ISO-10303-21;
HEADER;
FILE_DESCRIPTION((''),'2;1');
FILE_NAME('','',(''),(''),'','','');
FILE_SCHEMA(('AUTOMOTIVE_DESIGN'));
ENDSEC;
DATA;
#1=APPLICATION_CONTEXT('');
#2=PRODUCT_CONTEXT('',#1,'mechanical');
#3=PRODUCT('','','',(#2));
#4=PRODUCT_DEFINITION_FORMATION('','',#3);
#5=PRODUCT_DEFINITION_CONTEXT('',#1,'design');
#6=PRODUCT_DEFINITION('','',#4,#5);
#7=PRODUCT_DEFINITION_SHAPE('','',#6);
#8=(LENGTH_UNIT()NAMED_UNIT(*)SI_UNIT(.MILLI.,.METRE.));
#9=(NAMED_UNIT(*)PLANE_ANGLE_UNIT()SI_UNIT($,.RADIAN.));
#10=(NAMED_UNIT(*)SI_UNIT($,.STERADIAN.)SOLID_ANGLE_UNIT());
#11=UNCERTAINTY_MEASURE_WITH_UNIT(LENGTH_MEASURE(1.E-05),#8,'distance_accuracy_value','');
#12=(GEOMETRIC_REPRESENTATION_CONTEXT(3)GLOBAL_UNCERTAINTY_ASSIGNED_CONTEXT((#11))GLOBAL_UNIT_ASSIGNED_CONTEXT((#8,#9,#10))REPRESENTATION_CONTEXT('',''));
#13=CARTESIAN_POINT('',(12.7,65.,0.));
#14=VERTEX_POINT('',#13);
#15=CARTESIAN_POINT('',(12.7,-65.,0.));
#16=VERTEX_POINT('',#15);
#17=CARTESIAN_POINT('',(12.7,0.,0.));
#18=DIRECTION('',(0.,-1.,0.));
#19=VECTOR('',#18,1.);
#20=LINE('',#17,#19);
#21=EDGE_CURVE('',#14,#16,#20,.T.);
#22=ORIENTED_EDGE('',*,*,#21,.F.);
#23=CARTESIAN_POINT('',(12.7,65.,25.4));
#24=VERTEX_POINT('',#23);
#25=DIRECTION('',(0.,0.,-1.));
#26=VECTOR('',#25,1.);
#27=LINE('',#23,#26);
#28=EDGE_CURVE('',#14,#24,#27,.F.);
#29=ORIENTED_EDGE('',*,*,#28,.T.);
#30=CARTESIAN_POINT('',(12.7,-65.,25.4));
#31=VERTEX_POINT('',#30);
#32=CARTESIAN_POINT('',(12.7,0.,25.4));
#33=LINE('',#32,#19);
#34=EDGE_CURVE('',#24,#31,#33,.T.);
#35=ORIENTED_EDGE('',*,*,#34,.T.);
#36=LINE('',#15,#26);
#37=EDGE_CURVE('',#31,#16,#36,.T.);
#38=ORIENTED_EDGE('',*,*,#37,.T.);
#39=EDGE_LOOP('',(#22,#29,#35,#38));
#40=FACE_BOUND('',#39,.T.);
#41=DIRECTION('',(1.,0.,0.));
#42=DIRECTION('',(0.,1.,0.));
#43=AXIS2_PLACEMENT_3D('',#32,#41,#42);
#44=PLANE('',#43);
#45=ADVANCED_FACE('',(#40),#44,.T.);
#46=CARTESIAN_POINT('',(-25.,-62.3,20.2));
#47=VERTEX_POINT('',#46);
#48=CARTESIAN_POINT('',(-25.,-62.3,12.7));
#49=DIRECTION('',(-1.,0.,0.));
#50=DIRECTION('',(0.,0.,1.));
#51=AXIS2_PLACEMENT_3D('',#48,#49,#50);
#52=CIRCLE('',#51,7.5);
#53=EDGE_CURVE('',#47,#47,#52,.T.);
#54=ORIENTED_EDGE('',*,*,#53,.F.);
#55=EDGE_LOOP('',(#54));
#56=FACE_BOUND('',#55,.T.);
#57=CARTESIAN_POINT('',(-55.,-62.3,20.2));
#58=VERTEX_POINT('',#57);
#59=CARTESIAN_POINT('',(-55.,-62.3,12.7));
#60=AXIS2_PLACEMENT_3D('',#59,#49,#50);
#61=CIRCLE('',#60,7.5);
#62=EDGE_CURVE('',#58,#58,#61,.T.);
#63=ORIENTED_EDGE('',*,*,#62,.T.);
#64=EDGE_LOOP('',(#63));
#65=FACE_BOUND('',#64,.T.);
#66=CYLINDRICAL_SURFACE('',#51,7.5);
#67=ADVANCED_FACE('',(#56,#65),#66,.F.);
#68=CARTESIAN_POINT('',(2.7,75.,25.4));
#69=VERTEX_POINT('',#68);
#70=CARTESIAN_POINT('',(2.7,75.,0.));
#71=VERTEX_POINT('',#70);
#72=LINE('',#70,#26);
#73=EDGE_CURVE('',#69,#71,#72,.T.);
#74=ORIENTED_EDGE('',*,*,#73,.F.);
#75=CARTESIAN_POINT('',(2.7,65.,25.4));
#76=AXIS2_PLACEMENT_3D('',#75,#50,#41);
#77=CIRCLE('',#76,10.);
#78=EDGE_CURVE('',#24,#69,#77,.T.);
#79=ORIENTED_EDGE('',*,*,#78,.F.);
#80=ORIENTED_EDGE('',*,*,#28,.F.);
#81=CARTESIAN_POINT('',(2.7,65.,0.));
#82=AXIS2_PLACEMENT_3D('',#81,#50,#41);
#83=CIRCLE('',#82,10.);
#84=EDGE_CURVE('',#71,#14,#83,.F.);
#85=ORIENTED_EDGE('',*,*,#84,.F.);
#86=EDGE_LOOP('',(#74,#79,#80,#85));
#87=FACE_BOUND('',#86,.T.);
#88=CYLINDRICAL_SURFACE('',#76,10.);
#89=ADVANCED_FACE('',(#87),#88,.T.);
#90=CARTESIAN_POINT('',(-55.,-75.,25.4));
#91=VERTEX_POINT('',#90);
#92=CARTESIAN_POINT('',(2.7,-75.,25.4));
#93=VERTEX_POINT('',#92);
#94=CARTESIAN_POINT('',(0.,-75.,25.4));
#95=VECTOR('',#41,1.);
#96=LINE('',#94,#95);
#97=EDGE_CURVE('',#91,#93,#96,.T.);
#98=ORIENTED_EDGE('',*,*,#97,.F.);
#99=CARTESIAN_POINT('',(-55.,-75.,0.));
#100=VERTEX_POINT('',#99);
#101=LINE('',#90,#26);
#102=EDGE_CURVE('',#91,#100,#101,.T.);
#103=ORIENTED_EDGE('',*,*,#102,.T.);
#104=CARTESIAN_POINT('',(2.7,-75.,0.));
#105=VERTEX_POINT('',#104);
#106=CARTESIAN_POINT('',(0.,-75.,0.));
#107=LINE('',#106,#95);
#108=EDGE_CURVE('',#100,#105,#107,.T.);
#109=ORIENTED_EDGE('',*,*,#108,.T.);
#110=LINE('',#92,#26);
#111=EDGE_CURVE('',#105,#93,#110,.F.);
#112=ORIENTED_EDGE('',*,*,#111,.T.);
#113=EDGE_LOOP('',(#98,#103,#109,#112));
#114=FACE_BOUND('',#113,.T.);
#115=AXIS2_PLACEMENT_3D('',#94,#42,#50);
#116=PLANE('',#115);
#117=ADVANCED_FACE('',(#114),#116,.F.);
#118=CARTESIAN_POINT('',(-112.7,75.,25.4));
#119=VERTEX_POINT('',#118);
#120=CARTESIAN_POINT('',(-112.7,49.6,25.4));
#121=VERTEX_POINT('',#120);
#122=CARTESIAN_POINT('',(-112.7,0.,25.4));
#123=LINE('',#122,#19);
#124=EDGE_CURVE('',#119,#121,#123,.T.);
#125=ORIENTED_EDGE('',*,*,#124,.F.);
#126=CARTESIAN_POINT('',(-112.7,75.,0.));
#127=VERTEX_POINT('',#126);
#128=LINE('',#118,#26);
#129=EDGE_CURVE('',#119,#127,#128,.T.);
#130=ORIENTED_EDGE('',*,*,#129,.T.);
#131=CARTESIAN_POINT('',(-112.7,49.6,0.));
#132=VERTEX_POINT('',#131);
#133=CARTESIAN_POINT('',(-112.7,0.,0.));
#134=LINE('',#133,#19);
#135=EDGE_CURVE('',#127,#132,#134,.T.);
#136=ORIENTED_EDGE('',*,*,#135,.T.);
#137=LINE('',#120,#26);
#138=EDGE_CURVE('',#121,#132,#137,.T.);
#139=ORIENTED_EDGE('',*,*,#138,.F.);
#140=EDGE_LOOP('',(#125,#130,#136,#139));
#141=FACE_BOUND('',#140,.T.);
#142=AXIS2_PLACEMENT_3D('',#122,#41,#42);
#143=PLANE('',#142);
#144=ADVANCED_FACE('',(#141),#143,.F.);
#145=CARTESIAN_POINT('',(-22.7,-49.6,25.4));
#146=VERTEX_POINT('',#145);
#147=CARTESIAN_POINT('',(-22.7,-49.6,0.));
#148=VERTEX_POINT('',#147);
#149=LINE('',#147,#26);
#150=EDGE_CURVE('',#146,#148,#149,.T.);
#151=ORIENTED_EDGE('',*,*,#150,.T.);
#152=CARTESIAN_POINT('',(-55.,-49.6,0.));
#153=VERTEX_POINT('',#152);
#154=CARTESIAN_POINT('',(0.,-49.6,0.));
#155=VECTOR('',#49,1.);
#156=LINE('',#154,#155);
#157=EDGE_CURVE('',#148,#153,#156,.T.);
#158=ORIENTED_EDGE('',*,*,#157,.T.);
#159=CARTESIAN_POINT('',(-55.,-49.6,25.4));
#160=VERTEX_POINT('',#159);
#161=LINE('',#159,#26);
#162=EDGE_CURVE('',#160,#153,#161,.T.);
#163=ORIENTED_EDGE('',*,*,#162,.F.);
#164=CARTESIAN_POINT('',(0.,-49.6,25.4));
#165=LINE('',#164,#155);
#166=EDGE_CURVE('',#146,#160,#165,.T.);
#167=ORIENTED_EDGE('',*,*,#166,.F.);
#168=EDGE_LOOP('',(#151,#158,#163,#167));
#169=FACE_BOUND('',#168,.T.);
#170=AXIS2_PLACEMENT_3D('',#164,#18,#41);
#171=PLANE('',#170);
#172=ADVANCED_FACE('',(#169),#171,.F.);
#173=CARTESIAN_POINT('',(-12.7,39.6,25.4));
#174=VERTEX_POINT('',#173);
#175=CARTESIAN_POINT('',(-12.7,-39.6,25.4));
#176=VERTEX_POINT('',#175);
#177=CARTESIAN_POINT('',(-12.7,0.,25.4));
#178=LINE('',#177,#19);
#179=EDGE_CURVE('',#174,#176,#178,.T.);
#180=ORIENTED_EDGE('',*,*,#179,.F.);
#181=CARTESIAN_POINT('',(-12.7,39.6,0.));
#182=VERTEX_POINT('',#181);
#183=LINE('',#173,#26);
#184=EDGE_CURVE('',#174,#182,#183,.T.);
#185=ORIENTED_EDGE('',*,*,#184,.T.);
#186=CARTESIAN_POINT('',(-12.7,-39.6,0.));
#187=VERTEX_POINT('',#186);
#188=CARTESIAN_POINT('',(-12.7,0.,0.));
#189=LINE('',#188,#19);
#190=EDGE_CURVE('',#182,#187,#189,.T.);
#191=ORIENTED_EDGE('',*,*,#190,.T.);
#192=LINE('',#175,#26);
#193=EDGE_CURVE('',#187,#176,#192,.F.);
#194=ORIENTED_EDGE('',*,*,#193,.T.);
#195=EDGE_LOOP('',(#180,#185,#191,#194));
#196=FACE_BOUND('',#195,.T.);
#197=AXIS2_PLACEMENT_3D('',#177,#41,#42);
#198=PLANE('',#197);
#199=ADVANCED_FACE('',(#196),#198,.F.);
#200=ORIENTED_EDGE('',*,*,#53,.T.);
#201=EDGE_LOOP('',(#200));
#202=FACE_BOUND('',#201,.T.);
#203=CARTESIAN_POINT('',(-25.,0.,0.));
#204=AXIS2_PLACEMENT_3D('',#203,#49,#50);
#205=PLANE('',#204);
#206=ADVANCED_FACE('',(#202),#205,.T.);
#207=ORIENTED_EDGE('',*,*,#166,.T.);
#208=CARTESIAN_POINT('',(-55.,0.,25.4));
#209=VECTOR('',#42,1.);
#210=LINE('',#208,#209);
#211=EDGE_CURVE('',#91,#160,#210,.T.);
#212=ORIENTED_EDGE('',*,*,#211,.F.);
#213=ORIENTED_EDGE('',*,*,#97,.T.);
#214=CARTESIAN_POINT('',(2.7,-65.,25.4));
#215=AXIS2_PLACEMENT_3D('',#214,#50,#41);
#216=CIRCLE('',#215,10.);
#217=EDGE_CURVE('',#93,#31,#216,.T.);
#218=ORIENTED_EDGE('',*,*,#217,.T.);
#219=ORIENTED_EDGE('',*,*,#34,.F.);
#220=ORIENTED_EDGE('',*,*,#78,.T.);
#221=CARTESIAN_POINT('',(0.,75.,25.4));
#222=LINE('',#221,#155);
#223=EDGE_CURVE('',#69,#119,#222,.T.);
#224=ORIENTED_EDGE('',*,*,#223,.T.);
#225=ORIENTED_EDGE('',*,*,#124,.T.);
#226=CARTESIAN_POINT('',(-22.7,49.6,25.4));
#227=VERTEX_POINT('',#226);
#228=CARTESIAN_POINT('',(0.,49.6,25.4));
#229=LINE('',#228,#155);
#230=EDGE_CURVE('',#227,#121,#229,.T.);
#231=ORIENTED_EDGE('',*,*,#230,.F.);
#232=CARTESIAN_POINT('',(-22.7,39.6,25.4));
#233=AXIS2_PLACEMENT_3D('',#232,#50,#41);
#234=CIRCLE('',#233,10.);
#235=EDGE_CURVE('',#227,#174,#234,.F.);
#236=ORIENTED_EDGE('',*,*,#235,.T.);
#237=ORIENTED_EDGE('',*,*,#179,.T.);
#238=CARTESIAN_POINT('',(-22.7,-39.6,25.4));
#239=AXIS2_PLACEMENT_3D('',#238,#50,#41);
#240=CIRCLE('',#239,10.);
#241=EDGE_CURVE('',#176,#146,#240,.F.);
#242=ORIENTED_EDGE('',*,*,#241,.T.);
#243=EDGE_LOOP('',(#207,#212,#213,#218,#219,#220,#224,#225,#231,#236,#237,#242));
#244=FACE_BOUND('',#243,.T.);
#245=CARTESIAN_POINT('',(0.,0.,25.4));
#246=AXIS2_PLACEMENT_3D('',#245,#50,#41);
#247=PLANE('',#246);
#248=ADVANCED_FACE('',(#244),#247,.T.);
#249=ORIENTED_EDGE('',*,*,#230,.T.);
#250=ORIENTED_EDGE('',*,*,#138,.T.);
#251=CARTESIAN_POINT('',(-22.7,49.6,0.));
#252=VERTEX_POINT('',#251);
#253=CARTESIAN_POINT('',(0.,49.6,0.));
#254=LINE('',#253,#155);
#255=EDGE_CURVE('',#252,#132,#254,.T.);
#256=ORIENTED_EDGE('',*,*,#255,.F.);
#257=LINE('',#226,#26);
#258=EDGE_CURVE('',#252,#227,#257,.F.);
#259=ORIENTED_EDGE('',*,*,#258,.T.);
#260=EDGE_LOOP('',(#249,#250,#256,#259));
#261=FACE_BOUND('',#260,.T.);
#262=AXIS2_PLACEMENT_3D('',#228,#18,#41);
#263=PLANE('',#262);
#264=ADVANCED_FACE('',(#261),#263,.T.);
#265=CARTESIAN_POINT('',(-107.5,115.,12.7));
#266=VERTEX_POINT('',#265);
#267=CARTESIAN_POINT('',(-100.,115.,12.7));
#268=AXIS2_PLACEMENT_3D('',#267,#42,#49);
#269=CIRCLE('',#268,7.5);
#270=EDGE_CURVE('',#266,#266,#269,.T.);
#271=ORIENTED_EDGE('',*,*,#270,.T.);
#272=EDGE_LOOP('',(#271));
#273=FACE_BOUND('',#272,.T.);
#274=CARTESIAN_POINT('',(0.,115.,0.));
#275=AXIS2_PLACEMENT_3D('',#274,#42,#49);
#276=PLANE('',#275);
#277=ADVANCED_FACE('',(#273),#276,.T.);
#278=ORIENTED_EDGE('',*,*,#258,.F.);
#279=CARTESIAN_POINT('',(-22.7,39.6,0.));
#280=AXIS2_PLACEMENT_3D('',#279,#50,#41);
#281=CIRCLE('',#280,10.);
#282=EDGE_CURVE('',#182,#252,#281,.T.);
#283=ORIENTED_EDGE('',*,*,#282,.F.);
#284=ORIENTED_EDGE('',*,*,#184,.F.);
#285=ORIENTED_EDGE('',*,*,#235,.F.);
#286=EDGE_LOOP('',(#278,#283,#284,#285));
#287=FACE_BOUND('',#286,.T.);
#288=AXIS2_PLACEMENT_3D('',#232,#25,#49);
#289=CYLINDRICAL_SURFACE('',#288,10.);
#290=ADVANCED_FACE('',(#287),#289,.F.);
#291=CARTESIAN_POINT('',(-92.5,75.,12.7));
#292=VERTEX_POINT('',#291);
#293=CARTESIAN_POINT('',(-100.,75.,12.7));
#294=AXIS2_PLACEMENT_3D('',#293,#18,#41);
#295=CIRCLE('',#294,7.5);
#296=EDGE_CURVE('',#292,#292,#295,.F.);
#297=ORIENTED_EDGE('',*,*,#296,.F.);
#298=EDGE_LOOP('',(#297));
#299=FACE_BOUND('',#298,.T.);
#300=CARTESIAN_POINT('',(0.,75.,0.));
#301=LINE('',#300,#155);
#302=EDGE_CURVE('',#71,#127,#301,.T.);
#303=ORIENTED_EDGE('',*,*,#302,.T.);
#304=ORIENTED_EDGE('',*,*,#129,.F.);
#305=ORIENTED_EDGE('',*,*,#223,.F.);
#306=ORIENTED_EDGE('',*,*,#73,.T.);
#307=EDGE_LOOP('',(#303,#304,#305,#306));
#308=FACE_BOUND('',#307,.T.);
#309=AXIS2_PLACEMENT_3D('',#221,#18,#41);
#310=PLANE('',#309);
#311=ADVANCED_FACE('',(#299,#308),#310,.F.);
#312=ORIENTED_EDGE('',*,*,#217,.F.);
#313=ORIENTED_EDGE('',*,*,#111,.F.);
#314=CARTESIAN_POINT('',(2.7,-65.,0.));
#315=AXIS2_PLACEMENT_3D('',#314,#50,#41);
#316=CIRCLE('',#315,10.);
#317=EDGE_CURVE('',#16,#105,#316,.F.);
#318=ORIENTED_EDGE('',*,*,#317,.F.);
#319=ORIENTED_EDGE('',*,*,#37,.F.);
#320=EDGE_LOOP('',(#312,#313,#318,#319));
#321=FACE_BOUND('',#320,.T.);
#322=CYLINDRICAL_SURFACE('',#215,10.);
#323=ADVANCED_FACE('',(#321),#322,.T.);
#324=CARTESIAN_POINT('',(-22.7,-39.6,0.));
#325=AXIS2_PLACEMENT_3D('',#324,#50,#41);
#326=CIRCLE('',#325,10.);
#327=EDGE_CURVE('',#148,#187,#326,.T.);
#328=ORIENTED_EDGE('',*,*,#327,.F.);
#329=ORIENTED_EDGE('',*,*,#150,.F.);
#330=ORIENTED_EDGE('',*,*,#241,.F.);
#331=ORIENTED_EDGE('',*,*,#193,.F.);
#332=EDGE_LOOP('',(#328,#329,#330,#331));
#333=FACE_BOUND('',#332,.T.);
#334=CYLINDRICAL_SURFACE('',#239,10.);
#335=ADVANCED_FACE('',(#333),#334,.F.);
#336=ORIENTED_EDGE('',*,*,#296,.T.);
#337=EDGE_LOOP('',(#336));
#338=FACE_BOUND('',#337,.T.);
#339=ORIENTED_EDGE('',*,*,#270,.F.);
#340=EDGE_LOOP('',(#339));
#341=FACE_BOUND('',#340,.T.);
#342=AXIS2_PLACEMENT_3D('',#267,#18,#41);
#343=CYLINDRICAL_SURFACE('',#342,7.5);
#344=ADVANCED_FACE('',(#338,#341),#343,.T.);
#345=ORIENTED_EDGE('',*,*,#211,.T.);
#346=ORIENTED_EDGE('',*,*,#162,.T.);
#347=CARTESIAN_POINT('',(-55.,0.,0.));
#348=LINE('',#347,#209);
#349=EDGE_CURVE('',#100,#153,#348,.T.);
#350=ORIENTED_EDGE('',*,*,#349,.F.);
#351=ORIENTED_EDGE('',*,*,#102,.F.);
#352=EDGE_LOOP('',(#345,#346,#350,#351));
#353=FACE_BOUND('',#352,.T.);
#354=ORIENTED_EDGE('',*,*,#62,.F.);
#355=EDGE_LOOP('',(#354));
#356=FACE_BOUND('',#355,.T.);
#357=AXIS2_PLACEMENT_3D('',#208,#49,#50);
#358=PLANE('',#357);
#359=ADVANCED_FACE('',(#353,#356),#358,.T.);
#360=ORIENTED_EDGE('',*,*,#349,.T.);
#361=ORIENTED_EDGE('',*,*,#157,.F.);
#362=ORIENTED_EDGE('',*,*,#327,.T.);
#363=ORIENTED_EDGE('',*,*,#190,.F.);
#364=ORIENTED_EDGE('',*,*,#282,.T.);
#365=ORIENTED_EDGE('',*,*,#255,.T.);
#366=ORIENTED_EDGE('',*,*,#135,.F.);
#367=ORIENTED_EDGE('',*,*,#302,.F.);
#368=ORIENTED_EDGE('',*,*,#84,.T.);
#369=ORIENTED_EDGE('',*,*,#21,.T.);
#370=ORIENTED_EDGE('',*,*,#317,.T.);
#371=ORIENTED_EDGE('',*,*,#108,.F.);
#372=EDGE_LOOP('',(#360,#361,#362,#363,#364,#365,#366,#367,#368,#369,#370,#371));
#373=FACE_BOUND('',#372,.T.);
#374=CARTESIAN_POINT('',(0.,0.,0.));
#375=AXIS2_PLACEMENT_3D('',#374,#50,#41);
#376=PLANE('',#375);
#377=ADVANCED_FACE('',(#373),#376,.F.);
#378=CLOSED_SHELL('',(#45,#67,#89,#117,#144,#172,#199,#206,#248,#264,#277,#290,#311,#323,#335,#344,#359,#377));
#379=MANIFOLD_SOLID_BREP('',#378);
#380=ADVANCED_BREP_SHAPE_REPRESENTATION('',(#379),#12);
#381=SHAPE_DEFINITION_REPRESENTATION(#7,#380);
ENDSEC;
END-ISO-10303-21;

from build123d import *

# Parameters (mm, degrees)
SKETCH1_W           = 100
SKETCH1_H           = 25.4
SKETCH1_W_2         = 25.4
SKETCH1_H_2         = 150
SKETCH1_W_3         = 42.3
BOSS_EXTRUDE1_DEPTH = 25.4
BOSS_EXTRUDE2_DEPTH = 40
CUT_EXTRUDE2_DEPTH  = 30
FILLET1_R           = 10


with BuildPart() as part:
    # Sketch1 → Boss-Extrude1 (new body)
    with BuildSketch(Plane.XY):
        with Locations((-62.7, 62.3)):
            Rectangle(SKETCH1_W, SKETCH1_H)
        Rectangle(SKETCH1_W_2, SKETCH1_H_2)
        with Locations((-33.85, -62.3)):
            Rectangle(SKETCH1_W_3, SKETCH1_H)
    extrude(amount=BOSS_EXTRUDE1_DEPTH)

    # Sketch2 → Boss-Extrude2 (add)
    with BuildSketch(Plane(origin=(0, 75, 0), x_dir=(1, 0, 0), z_dir=(0, 1, 0))):
        with BuildLine():
            ThreePointArc((-94.696699141, -7.396699141), (-105.303300859, -7.396699141), (-105.303300859, -18.003300859))
            Line((-105.303300859, -18.003300859), (-94.696699141, -7.396699141))
        make_face()
        with BuildLine():
            Line((-94.696699141, -7.396699141), (-105.303300859, -18.003300859))
            ThreePointArc((-105.303300859, -18.003300859), (-97.129874257, -19.629096494), (-92.5, -12.7))
            ThreePointArc((-92.5, -12.7), (-93.070903506, -9.829874257), (-94.696699141, -7.396699141))
        make_face()
    extrude(amount=BOSS_EXTRUDE2_DEPTH)

    # Sketch3 → Cut-Extrude2 (cut)
    with BuildSketch(Plane.ZY.offset(55)):
        with BuildLine():
            ThreePointArc((20.2, -62.3), (19.629096494, -59.429874257), (18.003300859, -56.996699141))
            Line((18.003300859, -56.996699141), (7.396699141, -67.603300859))
            ThreePointArc((7.396699141, -67.603300859), (15.570125743, -69.229096494), (20.2, -62.3))
        make_face()
        with BuildLine():
            Line((7.396699141, -67.603300859), (18.003300859, -56.996699141))
            ThreePointArc((18.003300859, -56.996699141), (7.396699141, -56.996699141), (7.396699141, -67.603300859))
        make_face()
    extrude(amount=-CUT_EXTRUDE2_DEPTH, mode=Mode.SUBTRACT)

    # Fillet1
    fillet1_edges = [part.edges().sort_by_distance(p)[0] for p in [
        (12.7, 75, 12.7),
        (12.7, -75, 12.7),
        (-12.7, -49.6, 12.7),
        (-12.7, 49.6, 12.7),
    ]]
    fillet(fillet1_edges, radius=FILLET1_R)


solid = part.part
